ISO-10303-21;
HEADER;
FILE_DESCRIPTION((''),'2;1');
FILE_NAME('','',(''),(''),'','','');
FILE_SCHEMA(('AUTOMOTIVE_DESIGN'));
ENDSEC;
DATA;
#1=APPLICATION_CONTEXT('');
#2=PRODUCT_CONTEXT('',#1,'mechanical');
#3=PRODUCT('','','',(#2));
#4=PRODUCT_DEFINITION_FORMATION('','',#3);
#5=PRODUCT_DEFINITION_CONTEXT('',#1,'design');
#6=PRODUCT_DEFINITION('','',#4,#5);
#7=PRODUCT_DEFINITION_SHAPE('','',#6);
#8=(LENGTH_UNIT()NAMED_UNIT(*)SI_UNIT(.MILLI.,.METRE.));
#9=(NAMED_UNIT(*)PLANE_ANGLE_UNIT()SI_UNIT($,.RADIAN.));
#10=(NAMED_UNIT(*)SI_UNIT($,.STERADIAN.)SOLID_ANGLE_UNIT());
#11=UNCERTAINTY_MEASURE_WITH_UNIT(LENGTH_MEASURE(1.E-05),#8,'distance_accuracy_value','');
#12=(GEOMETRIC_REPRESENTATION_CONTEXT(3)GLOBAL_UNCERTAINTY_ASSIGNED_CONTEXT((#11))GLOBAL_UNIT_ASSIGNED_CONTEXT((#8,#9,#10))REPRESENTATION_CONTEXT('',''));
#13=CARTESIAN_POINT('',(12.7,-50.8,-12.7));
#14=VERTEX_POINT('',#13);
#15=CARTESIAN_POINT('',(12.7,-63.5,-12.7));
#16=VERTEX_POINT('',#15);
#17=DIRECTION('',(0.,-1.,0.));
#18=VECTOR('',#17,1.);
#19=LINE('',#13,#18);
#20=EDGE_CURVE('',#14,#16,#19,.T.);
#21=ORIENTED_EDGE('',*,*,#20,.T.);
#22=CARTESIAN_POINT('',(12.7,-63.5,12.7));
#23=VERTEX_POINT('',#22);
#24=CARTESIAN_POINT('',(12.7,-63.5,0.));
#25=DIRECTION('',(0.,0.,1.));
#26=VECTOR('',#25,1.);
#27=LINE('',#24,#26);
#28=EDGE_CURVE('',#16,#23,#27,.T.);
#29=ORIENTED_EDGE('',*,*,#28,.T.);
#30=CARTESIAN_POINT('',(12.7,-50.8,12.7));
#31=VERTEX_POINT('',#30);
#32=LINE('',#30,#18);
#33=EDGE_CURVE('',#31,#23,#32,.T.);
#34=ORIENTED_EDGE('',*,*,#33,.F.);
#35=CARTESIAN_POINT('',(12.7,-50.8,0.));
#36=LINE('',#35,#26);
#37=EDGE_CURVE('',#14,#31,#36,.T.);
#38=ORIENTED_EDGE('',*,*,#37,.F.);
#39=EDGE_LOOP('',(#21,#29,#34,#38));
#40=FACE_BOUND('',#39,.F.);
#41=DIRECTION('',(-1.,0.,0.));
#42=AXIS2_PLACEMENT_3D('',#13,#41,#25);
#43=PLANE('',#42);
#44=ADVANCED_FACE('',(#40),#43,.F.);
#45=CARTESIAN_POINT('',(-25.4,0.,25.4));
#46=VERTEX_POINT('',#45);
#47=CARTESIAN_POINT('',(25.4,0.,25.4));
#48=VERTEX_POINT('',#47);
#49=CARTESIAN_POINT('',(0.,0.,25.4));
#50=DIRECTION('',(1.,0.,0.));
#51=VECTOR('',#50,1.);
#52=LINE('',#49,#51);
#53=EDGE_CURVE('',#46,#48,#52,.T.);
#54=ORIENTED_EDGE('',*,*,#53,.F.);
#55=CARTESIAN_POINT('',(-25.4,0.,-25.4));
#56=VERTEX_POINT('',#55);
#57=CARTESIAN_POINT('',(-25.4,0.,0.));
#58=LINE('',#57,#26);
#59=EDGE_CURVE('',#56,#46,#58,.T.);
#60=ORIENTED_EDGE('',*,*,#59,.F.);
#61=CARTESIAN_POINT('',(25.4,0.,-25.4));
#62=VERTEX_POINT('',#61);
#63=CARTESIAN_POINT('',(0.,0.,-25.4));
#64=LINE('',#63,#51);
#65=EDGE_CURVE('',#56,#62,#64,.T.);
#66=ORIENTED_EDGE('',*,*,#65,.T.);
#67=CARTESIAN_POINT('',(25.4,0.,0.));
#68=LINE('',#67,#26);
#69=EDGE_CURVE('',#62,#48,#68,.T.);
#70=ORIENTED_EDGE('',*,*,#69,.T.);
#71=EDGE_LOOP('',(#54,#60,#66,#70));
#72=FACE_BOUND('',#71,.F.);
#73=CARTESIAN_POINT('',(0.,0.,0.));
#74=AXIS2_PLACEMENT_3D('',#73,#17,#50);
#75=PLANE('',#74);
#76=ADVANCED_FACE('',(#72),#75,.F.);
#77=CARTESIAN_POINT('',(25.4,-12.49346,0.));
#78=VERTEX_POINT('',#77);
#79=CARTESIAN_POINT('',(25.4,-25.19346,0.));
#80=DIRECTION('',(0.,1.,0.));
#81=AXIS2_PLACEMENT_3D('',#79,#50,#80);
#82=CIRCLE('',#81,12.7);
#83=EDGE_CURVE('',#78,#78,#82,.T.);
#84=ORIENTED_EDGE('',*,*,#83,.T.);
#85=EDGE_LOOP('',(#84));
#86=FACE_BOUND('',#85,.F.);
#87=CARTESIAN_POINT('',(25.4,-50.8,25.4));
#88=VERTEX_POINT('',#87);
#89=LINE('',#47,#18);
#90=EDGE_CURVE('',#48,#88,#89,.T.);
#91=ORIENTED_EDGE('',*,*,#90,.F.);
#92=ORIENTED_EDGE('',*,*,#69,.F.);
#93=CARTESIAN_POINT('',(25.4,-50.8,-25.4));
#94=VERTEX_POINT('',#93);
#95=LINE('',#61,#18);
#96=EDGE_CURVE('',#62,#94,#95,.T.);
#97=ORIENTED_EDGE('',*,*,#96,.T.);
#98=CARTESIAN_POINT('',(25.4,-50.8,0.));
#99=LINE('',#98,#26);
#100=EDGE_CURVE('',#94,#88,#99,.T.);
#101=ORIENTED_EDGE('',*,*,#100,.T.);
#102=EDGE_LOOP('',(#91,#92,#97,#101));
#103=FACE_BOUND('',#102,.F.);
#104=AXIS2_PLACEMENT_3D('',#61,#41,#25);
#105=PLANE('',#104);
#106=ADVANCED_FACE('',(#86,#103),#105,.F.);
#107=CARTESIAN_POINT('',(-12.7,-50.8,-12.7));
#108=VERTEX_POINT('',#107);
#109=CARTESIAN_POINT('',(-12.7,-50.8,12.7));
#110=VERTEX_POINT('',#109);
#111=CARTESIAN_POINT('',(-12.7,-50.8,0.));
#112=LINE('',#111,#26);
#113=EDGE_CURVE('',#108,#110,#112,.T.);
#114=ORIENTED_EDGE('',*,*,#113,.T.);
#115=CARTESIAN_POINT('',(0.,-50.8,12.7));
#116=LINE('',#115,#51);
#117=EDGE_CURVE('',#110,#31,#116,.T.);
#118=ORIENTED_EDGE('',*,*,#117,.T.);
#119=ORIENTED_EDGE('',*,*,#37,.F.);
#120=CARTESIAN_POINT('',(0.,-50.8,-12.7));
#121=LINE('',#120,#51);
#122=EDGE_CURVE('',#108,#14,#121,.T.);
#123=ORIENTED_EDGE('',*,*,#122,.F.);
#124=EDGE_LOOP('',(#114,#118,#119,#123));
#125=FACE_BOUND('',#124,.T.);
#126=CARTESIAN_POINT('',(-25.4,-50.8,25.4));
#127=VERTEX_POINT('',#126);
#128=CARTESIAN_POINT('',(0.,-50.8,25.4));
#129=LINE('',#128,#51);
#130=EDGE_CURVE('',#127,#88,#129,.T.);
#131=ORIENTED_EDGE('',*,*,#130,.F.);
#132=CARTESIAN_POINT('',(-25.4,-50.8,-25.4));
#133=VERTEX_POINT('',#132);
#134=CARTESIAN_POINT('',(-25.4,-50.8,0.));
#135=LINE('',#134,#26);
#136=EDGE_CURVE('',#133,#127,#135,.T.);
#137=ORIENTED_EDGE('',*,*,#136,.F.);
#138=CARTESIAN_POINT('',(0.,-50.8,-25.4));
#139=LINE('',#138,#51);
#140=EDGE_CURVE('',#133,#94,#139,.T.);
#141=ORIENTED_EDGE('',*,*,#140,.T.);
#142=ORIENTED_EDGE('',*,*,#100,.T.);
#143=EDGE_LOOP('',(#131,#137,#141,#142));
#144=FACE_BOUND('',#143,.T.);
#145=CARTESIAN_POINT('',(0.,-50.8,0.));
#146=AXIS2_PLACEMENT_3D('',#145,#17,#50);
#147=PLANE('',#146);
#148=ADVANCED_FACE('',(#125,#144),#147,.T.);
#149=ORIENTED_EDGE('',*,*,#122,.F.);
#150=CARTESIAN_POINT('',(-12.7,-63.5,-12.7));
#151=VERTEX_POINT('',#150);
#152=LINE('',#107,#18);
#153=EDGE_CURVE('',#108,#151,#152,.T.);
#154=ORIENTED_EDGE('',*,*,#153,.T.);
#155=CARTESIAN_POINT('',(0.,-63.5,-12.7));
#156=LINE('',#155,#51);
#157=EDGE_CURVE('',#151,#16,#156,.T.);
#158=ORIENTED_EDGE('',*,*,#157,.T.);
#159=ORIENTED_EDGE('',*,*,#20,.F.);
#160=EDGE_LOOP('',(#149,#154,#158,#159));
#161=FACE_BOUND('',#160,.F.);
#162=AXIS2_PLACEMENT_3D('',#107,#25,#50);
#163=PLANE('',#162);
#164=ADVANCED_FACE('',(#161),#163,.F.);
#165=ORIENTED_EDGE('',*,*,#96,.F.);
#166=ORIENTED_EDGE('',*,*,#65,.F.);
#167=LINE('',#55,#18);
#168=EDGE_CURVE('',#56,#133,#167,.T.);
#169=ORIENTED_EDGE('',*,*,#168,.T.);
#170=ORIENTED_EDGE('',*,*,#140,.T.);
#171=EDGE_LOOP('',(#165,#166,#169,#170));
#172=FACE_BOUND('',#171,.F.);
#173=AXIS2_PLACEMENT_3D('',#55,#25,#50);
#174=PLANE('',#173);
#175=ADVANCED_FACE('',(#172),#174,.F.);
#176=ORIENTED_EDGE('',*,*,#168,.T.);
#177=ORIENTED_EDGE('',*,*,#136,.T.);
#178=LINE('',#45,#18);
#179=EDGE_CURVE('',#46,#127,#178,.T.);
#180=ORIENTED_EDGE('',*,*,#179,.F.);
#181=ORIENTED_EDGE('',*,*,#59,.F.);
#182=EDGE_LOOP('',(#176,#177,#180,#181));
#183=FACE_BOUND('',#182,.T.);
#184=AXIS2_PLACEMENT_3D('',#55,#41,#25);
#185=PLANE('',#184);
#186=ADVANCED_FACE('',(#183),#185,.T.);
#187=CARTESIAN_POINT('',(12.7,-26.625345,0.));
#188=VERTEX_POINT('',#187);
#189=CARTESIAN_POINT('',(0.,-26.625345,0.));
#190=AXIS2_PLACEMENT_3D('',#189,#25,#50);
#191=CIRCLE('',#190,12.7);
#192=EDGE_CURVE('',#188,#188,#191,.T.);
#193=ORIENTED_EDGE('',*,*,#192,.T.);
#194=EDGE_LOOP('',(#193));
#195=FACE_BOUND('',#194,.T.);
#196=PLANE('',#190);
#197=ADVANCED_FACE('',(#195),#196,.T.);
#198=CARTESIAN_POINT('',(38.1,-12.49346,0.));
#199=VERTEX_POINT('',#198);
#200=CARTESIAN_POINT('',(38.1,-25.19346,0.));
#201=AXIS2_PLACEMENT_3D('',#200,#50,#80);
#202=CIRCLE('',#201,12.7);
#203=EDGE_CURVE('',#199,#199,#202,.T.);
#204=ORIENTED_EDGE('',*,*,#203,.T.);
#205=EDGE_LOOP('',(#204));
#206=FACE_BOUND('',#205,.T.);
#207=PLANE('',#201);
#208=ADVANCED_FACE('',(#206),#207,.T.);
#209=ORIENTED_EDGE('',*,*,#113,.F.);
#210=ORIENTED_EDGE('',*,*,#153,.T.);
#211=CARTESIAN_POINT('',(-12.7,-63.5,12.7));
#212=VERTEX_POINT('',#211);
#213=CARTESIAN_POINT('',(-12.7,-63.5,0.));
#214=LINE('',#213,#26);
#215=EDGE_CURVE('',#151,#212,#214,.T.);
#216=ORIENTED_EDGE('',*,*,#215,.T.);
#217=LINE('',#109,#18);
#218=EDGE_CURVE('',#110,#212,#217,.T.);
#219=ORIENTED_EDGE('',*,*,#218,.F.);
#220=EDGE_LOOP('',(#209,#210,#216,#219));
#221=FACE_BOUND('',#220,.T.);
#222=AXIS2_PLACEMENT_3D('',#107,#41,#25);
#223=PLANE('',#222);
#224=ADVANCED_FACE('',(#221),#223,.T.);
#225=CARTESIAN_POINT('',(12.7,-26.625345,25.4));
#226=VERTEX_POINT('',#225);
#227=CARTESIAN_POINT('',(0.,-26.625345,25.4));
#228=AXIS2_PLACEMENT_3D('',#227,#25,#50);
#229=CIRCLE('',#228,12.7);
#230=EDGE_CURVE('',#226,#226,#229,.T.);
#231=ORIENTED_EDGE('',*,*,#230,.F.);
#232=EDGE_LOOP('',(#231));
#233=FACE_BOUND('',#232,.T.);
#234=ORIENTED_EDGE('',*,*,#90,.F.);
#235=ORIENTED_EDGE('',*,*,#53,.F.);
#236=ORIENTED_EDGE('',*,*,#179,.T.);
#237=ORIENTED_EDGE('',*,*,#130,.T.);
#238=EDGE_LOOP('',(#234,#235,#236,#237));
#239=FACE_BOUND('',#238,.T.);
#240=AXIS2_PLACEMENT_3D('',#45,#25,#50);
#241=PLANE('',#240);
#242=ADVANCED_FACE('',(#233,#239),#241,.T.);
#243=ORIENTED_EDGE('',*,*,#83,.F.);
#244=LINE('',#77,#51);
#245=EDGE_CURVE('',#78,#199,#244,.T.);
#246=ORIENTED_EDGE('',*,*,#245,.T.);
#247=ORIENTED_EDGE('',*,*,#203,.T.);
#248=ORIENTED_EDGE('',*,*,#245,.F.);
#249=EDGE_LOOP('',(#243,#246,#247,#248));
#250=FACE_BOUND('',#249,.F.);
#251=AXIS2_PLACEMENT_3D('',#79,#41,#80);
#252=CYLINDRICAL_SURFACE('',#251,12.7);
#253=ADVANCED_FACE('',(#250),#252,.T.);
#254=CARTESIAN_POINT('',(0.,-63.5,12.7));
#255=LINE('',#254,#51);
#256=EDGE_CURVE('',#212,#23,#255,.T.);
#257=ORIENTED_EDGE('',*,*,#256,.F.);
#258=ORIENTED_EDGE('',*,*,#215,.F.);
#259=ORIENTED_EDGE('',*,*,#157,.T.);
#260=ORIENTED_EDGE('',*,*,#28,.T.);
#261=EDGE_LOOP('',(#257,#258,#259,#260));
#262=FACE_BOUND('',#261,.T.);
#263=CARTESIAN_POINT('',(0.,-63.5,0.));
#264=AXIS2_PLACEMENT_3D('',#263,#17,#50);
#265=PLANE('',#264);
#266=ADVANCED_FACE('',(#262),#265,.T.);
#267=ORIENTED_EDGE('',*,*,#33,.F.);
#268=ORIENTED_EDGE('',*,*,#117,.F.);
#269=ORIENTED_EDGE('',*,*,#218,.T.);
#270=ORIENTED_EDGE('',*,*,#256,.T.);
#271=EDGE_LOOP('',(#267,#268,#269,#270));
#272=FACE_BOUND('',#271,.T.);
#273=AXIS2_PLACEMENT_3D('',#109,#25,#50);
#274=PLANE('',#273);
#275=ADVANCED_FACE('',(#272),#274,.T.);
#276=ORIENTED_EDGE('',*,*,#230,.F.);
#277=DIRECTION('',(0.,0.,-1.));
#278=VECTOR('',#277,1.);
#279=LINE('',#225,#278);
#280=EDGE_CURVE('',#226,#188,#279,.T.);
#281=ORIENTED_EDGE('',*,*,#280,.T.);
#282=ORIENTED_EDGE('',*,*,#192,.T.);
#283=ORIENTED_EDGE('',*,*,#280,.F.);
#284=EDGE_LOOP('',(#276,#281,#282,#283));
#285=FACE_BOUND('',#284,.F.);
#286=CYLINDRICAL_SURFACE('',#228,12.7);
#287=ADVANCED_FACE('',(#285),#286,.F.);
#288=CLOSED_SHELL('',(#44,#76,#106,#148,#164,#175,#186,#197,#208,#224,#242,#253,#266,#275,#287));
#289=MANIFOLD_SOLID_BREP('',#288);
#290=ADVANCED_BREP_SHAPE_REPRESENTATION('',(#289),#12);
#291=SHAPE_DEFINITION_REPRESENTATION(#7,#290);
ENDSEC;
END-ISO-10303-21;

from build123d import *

# Parameters (mm, degrees)
F0_W     = 50.8
F0_H     = 50.8
F1_DEPTH = 50.8
F2_W     = 25.4
F2_H     = 25.4
F3_DEPTH = 12.7
F4_R     = 12.7
F5_DEPTH = 12.7
F6_R     = 12.7
F7_DEPTH = 25.4


with BuildPart() as f1:
    # F0 (on Front) → F1 (new body)
    with BuildSketch(Plane.XZ):
        Rectangle(F0_W, F0_H)
    extrude(amount=F1_DEPTH)

    # F2 (on face) → F3 (join)
    with BuildSketch(Plane.XZ.offset(50.8)):
        Rectangle(F2_W, F2_H)
    extrude(amount=F3_DEPTH)

    # F4 (on face) → F5 (join)
    with BuildSketch(Plane.YZ.offset(25.4)):
        with Locations((-25.19346, 0)):
            Circle(F4_R)
    extrude(amount=F5_DEPTH)

    # F6 (on face) → F7 (cut)
    with BuildSketch(Plane.XY.offset(25.4)):
        with Locations((0, -26.625345)):
            Circle(F6_R)
    extrude(amount=-F7_DEPTH, mode=Mode.SUBTRACT)


solid = f1.part
